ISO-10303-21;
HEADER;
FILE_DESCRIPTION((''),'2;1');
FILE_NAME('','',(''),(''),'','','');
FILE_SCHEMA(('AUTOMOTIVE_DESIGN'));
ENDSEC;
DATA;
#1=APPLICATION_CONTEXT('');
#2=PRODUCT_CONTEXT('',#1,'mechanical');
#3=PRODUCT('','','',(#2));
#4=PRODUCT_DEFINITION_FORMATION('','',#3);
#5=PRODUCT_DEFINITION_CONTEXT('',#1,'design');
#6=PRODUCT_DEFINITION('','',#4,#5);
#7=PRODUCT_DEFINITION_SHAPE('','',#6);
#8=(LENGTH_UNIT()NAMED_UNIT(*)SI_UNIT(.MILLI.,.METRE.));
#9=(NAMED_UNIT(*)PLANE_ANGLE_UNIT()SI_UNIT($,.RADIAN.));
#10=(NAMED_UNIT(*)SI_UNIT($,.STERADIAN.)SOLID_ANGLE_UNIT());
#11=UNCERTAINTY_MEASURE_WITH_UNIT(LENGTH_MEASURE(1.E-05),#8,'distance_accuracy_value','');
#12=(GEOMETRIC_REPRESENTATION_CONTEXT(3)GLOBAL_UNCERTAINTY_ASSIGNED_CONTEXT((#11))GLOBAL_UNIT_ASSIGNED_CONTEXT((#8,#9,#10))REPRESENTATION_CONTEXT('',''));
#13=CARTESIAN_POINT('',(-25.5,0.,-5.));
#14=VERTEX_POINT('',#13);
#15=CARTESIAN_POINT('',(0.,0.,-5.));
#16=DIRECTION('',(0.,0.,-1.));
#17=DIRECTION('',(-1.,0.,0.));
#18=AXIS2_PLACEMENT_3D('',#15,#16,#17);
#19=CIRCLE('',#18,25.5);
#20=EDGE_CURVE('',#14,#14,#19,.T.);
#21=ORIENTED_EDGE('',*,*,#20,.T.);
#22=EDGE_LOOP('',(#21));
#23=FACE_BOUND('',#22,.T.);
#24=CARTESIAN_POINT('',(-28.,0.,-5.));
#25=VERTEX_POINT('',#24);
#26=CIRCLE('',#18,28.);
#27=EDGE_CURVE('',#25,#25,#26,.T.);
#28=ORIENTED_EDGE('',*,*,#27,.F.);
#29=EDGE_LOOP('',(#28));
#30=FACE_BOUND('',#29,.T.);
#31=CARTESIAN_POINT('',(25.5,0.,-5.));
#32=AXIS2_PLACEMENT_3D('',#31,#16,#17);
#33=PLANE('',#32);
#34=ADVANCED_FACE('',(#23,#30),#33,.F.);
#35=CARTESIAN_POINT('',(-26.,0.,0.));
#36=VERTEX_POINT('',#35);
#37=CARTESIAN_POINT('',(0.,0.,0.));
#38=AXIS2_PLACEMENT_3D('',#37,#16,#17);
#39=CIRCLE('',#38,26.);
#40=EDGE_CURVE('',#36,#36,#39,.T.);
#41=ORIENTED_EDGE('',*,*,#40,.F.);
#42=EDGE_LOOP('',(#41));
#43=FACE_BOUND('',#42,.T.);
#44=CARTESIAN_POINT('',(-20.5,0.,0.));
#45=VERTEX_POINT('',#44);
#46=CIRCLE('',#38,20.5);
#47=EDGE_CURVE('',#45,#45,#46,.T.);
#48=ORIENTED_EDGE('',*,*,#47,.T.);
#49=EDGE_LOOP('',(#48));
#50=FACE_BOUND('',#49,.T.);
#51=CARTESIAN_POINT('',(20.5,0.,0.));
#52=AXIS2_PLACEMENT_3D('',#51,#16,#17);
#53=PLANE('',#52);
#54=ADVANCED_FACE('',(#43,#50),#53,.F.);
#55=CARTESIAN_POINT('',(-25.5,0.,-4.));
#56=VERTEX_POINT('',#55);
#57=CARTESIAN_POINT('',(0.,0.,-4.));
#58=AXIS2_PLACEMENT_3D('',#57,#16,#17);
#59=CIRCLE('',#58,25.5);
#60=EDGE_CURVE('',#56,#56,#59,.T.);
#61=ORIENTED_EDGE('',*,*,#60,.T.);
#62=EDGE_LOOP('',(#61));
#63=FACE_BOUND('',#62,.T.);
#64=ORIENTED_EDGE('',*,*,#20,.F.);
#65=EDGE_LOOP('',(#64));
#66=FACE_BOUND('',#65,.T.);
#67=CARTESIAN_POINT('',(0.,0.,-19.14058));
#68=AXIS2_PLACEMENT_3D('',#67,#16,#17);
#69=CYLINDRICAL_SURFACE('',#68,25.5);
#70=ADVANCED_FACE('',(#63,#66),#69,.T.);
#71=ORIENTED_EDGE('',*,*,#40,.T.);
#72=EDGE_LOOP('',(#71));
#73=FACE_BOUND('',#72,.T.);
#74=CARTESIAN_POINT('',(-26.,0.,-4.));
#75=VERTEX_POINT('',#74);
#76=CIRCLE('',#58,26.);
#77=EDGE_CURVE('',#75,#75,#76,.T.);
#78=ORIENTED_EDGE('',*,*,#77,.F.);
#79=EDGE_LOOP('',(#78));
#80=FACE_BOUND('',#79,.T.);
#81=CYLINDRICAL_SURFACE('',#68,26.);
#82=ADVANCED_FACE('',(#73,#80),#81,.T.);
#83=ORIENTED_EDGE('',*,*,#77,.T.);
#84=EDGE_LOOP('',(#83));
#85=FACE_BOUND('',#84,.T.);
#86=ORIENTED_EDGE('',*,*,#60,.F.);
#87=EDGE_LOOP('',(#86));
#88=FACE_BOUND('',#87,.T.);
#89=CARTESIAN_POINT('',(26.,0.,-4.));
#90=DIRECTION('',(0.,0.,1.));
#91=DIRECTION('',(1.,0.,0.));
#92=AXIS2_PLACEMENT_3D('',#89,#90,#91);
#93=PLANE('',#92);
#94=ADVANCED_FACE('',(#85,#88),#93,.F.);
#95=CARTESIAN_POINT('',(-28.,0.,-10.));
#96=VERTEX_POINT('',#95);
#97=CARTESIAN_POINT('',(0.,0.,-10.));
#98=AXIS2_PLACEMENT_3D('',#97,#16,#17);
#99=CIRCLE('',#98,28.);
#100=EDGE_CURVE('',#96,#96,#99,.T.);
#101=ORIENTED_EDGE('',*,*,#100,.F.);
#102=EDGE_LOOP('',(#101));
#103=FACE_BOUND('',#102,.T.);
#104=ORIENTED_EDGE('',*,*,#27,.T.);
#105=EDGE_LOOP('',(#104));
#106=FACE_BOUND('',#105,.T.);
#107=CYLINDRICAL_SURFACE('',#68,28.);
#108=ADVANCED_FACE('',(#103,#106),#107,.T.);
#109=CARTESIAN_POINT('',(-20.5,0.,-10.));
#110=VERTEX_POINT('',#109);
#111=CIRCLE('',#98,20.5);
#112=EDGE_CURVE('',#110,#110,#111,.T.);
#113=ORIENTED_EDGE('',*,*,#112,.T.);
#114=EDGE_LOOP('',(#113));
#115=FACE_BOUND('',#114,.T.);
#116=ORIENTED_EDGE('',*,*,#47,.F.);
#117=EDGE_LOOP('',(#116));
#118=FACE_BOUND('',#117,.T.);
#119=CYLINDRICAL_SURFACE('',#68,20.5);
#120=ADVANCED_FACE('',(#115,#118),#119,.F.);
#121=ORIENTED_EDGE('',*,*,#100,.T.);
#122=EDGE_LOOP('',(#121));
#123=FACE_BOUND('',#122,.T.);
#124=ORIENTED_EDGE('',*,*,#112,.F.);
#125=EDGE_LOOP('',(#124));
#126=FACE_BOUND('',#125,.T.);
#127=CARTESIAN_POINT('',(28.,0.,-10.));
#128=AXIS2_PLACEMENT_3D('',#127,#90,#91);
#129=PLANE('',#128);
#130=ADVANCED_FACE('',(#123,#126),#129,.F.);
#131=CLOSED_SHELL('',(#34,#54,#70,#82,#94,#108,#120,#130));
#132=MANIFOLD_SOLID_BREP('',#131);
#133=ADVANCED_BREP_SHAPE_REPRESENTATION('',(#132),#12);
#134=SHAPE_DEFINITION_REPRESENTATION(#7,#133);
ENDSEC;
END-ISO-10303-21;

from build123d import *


with BuildPart() as part:
    # 草图1 → 旋转1 (revolve)
    with BuildSketch(Plane(origin=(0, 0, 0), x_dir=(1, 0, 0), z_dir=(0, 1, 0)), mode=Mode.PRIVATE) as revolve_1_sk:
        Polygon((20.5, 0), (20.5, 10), (28, 10), (28, 5), (25.5, 5), (25.5, 4), (26, 4), (26, 0), align=None)
    revolve(revolve_1_sk.sketch.rotate(Axis((0, 0, -19.14057971), (0, 0, 1)), 180), axis=Axis((0, 0, -19.14057971), (0, 0, 1)))  # turned: the seam where the file's is


solid = part.part
